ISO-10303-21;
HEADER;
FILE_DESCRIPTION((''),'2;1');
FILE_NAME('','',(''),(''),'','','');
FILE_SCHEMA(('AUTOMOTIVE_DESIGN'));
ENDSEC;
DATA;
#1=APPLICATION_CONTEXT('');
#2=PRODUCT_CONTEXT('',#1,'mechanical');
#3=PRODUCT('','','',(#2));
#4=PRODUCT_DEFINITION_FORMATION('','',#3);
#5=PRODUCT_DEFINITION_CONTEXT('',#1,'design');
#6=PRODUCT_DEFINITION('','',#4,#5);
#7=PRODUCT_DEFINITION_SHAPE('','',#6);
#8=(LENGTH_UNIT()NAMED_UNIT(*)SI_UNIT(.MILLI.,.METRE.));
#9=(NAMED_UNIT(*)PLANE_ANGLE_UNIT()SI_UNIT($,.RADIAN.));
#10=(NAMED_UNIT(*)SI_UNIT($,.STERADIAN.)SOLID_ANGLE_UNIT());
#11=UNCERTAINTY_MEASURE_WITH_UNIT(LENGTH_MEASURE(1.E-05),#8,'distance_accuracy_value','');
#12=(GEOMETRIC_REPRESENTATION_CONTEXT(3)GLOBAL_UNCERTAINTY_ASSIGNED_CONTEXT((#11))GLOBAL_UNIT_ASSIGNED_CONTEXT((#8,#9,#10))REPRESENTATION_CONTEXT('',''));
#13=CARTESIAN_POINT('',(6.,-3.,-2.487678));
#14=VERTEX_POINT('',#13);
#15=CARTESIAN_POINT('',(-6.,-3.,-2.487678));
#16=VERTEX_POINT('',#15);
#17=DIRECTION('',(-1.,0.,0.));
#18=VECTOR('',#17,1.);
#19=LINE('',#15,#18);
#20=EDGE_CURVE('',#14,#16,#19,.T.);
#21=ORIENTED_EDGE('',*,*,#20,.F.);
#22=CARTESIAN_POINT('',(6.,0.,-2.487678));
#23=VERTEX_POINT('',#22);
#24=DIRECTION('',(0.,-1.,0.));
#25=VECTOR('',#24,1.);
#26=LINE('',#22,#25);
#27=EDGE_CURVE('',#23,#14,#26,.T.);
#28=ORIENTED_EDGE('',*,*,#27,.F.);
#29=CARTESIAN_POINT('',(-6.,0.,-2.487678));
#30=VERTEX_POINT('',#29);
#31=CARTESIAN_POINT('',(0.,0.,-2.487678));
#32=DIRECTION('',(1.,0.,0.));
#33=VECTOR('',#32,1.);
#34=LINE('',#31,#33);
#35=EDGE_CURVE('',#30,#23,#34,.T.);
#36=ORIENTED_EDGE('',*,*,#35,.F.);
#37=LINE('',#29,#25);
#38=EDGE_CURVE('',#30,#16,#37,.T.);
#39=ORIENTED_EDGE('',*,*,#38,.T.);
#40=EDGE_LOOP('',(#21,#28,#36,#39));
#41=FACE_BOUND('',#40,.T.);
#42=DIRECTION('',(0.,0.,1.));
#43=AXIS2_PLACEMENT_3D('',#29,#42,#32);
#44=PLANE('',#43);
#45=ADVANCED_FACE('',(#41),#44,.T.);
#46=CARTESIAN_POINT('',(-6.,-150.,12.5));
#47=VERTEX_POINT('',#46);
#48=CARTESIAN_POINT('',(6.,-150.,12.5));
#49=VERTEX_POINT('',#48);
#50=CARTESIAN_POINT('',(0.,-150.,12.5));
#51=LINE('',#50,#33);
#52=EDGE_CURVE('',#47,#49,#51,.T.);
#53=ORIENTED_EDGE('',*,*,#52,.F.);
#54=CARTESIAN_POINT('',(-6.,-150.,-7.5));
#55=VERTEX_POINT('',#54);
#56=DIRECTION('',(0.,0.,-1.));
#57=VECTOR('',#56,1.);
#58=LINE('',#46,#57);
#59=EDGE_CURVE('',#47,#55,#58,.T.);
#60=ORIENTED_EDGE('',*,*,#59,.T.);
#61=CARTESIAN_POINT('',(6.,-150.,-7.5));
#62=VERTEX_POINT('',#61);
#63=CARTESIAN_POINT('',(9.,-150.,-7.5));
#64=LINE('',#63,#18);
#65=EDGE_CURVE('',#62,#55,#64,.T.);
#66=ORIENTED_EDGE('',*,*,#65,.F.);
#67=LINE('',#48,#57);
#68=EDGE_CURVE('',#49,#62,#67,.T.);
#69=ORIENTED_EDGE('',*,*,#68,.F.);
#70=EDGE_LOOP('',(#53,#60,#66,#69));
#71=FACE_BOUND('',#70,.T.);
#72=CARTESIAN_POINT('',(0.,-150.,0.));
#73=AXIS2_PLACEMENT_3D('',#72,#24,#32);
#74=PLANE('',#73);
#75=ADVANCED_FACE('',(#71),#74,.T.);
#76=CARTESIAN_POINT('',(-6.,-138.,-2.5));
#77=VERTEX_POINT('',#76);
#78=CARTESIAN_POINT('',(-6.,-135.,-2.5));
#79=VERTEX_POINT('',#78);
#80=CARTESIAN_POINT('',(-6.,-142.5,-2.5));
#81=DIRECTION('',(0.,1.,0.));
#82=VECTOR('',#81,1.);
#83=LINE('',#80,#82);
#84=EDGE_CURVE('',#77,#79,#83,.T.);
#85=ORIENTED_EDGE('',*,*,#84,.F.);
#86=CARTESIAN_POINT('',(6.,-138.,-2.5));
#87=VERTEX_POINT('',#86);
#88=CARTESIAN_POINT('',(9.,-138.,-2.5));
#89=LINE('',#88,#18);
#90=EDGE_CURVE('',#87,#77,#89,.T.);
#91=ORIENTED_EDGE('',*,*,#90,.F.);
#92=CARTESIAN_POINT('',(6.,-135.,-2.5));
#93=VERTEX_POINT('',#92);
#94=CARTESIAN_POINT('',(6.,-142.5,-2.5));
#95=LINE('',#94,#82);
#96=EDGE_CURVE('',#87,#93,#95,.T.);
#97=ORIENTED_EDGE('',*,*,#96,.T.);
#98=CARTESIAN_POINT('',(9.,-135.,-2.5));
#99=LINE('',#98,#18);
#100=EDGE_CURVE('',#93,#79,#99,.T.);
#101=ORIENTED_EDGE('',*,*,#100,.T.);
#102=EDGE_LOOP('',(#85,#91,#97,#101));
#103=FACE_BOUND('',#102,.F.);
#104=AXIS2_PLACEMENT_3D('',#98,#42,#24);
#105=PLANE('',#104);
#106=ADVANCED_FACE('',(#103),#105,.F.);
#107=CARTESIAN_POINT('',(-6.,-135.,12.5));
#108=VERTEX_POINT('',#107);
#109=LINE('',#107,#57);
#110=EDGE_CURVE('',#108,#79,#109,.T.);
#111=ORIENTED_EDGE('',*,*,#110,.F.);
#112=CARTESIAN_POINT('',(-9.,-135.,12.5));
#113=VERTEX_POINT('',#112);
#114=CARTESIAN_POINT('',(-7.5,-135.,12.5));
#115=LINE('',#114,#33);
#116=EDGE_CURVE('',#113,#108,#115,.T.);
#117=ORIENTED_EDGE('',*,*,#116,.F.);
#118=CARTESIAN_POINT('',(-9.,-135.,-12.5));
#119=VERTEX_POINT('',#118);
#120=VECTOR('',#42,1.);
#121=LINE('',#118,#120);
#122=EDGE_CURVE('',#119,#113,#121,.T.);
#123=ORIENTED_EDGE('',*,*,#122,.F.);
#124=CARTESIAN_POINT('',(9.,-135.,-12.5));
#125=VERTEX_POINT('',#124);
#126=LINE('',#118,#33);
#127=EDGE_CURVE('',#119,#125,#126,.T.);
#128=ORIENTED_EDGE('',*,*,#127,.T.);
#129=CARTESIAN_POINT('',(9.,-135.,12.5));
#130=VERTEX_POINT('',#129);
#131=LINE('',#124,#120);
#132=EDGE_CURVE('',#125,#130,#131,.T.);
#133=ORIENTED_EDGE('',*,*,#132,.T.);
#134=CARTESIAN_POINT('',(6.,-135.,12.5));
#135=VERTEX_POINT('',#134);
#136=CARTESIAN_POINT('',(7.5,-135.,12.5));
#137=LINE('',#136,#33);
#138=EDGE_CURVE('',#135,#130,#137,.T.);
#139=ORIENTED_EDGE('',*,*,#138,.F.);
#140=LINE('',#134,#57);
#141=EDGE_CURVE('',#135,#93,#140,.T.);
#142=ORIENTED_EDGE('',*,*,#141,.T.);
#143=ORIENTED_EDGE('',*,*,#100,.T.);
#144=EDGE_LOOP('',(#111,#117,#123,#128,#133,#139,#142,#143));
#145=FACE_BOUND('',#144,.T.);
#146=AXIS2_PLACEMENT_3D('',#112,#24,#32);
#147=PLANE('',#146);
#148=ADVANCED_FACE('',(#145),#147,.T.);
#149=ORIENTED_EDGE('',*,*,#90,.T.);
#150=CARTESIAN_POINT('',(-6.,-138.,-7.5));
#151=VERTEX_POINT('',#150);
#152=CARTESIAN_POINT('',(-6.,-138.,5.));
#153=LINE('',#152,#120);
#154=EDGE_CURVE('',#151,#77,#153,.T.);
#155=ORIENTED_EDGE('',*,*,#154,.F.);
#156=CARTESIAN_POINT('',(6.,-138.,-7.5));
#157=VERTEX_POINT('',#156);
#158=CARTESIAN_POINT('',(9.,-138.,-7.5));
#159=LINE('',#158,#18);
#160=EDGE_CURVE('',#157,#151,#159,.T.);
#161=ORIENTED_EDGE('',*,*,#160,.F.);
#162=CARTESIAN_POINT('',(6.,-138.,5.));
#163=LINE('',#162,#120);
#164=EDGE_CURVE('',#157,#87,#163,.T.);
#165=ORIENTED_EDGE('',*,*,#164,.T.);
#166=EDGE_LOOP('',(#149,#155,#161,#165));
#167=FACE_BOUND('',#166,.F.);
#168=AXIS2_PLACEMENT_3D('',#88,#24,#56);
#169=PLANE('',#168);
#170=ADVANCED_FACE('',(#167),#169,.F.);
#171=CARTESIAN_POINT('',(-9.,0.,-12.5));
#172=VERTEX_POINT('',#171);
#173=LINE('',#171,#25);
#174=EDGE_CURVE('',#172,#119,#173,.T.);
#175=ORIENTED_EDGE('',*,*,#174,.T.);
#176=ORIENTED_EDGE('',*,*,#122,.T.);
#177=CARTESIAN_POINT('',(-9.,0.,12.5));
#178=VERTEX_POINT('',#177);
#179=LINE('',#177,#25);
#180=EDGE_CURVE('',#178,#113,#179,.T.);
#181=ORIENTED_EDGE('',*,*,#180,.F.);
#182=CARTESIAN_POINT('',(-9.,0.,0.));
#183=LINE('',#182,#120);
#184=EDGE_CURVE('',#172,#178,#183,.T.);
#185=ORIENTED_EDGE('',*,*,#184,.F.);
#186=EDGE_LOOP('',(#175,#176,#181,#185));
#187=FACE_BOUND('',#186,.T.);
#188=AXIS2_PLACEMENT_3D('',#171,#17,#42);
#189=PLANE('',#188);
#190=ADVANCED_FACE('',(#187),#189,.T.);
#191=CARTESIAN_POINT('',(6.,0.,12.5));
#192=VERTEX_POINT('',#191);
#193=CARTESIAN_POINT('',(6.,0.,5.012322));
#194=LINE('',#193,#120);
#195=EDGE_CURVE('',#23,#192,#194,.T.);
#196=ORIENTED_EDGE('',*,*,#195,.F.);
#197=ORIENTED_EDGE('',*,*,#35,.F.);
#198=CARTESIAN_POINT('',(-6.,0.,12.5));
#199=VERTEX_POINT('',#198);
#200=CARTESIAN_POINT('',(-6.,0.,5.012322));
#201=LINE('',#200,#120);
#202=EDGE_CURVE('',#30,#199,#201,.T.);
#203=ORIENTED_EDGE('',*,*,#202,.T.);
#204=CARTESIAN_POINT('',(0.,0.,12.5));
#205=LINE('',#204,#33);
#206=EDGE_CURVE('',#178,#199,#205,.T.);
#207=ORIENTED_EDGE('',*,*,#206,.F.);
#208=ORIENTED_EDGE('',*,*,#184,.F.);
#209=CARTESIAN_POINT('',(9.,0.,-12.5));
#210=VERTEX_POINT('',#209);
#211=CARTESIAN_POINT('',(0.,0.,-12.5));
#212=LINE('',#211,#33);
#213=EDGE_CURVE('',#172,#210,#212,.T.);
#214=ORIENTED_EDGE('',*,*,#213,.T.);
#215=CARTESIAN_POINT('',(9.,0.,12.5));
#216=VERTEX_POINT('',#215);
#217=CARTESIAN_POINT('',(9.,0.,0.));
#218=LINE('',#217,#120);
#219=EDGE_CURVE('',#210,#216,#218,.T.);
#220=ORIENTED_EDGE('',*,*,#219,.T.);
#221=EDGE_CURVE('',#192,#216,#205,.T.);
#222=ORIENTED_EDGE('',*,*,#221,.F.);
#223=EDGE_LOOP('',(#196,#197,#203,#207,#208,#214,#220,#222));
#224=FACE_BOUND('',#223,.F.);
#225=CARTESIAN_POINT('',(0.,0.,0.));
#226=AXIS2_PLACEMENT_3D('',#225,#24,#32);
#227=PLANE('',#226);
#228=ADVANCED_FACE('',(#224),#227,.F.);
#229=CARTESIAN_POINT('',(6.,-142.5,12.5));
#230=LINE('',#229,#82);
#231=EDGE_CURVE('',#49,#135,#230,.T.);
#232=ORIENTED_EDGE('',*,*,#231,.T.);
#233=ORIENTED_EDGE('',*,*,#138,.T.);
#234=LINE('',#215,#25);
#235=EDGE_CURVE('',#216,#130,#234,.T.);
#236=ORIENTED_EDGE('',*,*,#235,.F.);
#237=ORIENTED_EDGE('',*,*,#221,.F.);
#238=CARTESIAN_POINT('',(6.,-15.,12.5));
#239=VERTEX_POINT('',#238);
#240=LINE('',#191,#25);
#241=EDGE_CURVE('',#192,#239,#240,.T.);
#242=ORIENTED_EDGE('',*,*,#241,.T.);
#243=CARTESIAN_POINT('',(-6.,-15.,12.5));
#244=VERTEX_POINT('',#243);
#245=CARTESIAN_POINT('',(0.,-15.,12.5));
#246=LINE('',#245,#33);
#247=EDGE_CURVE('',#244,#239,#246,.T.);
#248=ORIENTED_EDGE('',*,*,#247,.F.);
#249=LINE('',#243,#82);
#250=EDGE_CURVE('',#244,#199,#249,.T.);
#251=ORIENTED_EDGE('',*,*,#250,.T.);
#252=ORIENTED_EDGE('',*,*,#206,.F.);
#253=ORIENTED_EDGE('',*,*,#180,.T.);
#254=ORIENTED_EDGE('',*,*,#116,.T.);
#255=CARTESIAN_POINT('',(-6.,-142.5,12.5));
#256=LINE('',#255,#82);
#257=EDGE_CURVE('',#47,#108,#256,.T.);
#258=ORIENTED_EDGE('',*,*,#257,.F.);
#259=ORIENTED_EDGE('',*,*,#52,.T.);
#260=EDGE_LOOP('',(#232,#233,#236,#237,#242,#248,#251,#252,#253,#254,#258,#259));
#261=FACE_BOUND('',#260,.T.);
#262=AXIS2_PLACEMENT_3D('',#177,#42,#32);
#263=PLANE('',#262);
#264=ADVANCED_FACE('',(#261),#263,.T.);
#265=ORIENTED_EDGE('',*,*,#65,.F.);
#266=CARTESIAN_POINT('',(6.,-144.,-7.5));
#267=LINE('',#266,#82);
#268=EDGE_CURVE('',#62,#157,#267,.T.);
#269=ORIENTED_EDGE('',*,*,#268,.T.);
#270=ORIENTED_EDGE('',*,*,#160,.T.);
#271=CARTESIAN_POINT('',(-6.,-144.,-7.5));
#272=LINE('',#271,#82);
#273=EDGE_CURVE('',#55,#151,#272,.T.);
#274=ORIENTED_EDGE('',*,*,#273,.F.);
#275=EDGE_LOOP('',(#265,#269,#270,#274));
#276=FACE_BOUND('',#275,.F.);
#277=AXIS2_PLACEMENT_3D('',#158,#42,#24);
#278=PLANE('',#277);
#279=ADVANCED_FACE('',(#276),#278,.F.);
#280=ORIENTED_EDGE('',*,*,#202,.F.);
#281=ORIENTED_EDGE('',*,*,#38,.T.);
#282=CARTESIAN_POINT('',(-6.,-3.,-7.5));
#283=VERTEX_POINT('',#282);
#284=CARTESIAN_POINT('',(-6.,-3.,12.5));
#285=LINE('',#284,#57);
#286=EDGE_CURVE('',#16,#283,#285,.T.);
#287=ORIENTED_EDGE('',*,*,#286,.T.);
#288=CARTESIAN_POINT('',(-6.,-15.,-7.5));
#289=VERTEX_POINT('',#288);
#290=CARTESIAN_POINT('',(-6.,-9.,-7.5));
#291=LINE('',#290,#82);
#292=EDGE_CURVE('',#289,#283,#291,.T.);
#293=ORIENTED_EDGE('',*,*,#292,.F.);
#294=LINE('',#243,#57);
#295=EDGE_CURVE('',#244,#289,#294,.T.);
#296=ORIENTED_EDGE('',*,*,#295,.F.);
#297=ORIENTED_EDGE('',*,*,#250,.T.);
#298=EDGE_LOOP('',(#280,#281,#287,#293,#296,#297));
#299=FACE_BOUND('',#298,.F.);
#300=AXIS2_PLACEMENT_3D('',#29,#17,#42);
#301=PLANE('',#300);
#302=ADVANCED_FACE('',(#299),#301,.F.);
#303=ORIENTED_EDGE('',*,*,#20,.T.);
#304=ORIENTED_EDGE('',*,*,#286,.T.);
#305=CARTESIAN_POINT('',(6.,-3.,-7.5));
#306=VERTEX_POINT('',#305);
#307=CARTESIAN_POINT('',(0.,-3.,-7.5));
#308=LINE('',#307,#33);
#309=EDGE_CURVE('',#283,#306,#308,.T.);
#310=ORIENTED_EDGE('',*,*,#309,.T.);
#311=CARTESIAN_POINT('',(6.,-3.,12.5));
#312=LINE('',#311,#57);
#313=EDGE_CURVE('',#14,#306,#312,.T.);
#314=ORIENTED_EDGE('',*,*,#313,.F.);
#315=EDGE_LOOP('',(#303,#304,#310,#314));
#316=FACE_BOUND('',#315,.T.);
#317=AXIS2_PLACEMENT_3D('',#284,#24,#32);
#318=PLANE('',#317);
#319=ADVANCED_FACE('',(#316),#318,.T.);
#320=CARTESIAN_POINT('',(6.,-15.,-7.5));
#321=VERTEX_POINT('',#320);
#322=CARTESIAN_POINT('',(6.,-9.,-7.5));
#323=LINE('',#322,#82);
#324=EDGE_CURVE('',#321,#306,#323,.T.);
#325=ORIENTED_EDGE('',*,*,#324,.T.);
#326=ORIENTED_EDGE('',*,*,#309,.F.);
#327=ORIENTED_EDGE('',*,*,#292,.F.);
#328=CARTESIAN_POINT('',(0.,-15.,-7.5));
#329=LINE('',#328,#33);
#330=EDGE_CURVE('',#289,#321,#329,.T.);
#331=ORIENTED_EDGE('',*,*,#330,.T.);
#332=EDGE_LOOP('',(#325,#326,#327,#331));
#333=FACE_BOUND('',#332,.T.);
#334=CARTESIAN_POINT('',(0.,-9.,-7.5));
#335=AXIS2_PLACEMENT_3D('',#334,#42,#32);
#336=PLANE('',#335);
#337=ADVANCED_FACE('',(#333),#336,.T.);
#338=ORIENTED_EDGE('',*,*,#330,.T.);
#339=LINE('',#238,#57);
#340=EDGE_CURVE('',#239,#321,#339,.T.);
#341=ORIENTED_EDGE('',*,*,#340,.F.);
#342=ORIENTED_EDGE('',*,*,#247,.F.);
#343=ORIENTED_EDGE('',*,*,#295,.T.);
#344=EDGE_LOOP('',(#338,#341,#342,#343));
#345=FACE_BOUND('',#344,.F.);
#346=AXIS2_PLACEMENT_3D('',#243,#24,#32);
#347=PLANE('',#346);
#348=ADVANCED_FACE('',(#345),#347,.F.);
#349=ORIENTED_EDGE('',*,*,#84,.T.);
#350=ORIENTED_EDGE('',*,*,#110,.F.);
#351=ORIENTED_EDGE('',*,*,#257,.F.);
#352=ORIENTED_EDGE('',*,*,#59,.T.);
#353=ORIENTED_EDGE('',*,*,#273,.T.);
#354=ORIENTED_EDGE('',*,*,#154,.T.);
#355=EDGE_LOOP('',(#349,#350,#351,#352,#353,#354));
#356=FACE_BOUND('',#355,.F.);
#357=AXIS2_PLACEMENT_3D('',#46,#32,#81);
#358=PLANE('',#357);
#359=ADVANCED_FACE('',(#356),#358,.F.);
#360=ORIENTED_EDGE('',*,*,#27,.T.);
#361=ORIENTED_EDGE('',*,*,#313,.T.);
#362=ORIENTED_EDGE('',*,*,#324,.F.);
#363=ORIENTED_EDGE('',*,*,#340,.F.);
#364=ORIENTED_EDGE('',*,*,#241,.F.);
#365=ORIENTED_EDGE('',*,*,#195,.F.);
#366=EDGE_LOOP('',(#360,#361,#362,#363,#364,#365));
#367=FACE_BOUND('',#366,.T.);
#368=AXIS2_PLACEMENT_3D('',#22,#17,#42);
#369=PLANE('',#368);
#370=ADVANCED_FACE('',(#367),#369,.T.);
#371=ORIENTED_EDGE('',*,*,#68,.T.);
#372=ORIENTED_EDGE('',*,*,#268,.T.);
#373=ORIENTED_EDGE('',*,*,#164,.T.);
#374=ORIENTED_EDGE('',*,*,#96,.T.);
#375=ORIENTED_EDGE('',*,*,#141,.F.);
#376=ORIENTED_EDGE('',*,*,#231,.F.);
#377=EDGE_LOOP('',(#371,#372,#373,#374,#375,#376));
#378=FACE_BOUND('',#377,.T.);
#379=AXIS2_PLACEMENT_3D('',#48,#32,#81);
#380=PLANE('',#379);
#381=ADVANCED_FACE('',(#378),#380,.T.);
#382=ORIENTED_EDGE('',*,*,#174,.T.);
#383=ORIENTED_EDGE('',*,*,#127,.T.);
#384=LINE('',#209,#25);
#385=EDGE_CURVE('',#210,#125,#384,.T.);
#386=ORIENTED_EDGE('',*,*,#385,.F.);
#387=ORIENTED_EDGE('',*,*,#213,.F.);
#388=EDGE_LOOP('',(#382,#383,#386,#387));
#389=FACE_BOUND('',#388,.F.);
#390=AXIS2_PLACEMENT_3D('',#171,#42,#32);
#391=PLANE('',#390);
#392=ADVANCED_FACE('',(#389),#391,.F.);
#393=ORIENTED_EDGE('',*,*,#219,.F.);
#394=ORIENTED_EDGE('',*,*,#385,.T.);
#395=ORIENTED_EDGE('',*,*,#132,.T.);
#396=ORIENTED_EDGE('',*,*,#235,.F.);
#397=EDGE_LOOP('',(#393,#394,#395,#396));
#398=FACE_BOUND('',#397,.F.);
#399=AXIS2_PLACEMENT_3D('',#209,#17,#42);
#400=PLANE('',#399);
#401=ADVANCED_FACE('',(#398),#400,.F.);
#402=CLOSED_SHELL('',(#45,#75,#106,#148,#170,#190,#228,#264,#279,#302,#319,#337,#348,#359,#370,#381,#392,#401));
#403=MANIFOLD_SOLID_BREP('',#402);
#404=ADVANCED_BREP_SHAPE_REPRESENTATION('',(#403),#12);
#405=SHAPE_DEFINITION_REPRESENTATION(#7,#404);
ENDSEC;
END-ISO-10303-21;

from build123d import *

# Parameters (mm, degrees)
F0_W     = 18
F0_H     = 25
F1_DEPTH = 150
F3_DEPTH = 25
F4_W     = 3
F4_H     = 15
F5_DEPTH = 25
F6_W     = 12
F6_H     = 12
F7_DEPTH = 20
F8_W     = 12
F8_H     = 15
F9_DEPTH = 5


with BuildPart() as f1:
    # F0 (on Front) → F1 (new body)
    with BuildSketch(Plane.XZ):
        Rectangle(F0_W, F0_H)
    extrude(amount=F1_DEPTH)

    # F2 (on face) → F3 (cut)
    with BuildSketch(Plane.YZ.offset(9)):
        Polygon((-150, -12.5), (-135, -12.5), (-135, -2.5), (-138, -2.5), (-138, -7.5), (-150, -7.5), align=None)
    extrude(amount=-F3_DEPTH, mode=Mode.SUBTRACT)

    # F4 (on face) → F5 (cut)
    with BuildSketch(Plane.XY.offset(12.5)):
        with Locations((7.5, -142.5)):
            Rectangle(F4_W, F4_H)
        with Locations((-7.5, -142.5)):
            Rectangle(F4_W, F4_H)
    extrude(amount=-F5_DEPTH, mode=Mode.SUBTRACT)

    # F6 (on face) → F7 (cut)
    with BuildSketch(Plane.XY.offset(12.5)):
        with Locations((0, -9)):
            Rectangle(F6_W, F6_H)
    extrude(amount=-F7_DEPTH, mode=Mode.SUBTRACT)

    # F8 (on face) → F9 (cut)
    with BuildSketch(Plane.XZ):
        with Locations((0, 5.012322)):
            Rectangle(F8_W, F8_H)
    extrude(amount=F9_DEPTH, mode=Mode.SUBTRACT)


solid = f1.part
